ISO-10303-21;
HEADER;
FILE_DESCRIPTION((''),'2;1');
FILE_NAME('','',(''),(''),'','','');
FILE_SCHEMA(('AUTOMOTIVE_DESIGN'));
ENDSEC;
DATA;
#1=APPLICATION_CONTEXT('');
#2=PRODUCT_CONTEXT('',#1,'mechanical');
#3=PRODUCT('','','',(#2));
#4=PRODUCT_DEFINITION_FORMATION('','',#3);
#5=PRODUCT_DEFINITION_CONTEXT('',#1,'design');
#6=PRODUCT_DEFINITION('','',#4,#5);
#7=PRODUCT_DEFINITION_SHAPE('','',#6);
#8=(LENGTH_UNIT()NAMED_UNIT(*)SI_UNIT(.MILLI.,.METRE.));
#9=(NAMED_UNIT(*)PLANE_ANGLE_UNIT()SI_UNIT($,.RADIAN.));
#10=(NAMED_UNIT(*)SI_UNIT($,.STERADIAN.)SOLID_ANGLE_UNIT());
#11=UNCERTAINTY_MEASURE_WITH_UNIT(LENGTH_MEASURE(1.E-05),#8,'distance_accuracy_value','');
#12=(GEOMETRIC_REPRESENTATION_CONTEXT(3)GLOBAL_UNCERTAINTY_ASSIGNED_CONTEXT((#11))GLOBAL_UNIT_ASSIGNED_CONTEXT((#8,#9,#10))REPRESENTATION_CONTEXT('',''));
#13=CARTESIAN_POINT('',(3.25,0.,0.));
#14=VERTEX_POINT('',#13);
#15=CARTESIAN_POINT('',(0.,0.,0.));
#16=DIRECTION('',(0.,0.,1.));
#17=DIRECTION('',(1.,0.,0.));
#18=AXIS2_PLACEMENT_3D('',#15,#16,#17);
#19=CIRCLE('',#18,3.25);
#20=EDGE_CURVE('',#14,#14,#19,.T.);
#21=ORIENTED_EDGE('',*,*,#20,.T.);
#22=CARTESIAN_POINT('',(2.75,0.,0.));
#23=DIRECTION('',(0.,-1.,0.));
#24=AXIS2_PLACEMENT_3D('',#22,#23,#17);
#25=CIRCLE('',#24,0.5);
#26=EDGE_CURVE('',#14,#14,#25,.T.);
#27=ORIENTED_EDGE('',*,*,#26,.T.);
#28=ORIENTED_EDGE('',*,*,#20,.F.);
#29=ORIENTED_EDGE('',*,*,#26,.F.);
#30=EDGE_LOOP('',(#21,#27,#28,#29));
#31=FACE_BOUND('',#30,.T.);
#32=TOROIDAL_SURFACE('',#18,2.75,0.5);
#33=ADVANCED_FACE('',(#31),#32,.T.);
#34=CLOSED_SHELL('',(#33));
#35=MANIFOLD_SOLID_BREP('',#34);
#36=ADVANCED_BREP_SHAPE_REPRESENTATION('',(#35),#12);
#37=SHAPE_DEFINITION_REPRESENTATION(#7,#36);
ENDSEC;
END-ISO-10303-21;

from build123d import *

# Parameters (mm, degrees)
SKETCH001_R = 0.5


with BuildPart() as part:
    # AdditivePipe: sweep along a path in Sketch
    with BuildLine(Plane.XY) as additivepipe_path:
        CenterArc((0, 0), 2.75, 0, 360)
    # Sketch001 → AdditivePipe (sweep)
    with BuildSketch(Plane.XZ):
        with Locations((2.75, 0)):
            Circle(SKETCH001_R)
    sweep(path=additivepipe_path.line)


solid = part.part
